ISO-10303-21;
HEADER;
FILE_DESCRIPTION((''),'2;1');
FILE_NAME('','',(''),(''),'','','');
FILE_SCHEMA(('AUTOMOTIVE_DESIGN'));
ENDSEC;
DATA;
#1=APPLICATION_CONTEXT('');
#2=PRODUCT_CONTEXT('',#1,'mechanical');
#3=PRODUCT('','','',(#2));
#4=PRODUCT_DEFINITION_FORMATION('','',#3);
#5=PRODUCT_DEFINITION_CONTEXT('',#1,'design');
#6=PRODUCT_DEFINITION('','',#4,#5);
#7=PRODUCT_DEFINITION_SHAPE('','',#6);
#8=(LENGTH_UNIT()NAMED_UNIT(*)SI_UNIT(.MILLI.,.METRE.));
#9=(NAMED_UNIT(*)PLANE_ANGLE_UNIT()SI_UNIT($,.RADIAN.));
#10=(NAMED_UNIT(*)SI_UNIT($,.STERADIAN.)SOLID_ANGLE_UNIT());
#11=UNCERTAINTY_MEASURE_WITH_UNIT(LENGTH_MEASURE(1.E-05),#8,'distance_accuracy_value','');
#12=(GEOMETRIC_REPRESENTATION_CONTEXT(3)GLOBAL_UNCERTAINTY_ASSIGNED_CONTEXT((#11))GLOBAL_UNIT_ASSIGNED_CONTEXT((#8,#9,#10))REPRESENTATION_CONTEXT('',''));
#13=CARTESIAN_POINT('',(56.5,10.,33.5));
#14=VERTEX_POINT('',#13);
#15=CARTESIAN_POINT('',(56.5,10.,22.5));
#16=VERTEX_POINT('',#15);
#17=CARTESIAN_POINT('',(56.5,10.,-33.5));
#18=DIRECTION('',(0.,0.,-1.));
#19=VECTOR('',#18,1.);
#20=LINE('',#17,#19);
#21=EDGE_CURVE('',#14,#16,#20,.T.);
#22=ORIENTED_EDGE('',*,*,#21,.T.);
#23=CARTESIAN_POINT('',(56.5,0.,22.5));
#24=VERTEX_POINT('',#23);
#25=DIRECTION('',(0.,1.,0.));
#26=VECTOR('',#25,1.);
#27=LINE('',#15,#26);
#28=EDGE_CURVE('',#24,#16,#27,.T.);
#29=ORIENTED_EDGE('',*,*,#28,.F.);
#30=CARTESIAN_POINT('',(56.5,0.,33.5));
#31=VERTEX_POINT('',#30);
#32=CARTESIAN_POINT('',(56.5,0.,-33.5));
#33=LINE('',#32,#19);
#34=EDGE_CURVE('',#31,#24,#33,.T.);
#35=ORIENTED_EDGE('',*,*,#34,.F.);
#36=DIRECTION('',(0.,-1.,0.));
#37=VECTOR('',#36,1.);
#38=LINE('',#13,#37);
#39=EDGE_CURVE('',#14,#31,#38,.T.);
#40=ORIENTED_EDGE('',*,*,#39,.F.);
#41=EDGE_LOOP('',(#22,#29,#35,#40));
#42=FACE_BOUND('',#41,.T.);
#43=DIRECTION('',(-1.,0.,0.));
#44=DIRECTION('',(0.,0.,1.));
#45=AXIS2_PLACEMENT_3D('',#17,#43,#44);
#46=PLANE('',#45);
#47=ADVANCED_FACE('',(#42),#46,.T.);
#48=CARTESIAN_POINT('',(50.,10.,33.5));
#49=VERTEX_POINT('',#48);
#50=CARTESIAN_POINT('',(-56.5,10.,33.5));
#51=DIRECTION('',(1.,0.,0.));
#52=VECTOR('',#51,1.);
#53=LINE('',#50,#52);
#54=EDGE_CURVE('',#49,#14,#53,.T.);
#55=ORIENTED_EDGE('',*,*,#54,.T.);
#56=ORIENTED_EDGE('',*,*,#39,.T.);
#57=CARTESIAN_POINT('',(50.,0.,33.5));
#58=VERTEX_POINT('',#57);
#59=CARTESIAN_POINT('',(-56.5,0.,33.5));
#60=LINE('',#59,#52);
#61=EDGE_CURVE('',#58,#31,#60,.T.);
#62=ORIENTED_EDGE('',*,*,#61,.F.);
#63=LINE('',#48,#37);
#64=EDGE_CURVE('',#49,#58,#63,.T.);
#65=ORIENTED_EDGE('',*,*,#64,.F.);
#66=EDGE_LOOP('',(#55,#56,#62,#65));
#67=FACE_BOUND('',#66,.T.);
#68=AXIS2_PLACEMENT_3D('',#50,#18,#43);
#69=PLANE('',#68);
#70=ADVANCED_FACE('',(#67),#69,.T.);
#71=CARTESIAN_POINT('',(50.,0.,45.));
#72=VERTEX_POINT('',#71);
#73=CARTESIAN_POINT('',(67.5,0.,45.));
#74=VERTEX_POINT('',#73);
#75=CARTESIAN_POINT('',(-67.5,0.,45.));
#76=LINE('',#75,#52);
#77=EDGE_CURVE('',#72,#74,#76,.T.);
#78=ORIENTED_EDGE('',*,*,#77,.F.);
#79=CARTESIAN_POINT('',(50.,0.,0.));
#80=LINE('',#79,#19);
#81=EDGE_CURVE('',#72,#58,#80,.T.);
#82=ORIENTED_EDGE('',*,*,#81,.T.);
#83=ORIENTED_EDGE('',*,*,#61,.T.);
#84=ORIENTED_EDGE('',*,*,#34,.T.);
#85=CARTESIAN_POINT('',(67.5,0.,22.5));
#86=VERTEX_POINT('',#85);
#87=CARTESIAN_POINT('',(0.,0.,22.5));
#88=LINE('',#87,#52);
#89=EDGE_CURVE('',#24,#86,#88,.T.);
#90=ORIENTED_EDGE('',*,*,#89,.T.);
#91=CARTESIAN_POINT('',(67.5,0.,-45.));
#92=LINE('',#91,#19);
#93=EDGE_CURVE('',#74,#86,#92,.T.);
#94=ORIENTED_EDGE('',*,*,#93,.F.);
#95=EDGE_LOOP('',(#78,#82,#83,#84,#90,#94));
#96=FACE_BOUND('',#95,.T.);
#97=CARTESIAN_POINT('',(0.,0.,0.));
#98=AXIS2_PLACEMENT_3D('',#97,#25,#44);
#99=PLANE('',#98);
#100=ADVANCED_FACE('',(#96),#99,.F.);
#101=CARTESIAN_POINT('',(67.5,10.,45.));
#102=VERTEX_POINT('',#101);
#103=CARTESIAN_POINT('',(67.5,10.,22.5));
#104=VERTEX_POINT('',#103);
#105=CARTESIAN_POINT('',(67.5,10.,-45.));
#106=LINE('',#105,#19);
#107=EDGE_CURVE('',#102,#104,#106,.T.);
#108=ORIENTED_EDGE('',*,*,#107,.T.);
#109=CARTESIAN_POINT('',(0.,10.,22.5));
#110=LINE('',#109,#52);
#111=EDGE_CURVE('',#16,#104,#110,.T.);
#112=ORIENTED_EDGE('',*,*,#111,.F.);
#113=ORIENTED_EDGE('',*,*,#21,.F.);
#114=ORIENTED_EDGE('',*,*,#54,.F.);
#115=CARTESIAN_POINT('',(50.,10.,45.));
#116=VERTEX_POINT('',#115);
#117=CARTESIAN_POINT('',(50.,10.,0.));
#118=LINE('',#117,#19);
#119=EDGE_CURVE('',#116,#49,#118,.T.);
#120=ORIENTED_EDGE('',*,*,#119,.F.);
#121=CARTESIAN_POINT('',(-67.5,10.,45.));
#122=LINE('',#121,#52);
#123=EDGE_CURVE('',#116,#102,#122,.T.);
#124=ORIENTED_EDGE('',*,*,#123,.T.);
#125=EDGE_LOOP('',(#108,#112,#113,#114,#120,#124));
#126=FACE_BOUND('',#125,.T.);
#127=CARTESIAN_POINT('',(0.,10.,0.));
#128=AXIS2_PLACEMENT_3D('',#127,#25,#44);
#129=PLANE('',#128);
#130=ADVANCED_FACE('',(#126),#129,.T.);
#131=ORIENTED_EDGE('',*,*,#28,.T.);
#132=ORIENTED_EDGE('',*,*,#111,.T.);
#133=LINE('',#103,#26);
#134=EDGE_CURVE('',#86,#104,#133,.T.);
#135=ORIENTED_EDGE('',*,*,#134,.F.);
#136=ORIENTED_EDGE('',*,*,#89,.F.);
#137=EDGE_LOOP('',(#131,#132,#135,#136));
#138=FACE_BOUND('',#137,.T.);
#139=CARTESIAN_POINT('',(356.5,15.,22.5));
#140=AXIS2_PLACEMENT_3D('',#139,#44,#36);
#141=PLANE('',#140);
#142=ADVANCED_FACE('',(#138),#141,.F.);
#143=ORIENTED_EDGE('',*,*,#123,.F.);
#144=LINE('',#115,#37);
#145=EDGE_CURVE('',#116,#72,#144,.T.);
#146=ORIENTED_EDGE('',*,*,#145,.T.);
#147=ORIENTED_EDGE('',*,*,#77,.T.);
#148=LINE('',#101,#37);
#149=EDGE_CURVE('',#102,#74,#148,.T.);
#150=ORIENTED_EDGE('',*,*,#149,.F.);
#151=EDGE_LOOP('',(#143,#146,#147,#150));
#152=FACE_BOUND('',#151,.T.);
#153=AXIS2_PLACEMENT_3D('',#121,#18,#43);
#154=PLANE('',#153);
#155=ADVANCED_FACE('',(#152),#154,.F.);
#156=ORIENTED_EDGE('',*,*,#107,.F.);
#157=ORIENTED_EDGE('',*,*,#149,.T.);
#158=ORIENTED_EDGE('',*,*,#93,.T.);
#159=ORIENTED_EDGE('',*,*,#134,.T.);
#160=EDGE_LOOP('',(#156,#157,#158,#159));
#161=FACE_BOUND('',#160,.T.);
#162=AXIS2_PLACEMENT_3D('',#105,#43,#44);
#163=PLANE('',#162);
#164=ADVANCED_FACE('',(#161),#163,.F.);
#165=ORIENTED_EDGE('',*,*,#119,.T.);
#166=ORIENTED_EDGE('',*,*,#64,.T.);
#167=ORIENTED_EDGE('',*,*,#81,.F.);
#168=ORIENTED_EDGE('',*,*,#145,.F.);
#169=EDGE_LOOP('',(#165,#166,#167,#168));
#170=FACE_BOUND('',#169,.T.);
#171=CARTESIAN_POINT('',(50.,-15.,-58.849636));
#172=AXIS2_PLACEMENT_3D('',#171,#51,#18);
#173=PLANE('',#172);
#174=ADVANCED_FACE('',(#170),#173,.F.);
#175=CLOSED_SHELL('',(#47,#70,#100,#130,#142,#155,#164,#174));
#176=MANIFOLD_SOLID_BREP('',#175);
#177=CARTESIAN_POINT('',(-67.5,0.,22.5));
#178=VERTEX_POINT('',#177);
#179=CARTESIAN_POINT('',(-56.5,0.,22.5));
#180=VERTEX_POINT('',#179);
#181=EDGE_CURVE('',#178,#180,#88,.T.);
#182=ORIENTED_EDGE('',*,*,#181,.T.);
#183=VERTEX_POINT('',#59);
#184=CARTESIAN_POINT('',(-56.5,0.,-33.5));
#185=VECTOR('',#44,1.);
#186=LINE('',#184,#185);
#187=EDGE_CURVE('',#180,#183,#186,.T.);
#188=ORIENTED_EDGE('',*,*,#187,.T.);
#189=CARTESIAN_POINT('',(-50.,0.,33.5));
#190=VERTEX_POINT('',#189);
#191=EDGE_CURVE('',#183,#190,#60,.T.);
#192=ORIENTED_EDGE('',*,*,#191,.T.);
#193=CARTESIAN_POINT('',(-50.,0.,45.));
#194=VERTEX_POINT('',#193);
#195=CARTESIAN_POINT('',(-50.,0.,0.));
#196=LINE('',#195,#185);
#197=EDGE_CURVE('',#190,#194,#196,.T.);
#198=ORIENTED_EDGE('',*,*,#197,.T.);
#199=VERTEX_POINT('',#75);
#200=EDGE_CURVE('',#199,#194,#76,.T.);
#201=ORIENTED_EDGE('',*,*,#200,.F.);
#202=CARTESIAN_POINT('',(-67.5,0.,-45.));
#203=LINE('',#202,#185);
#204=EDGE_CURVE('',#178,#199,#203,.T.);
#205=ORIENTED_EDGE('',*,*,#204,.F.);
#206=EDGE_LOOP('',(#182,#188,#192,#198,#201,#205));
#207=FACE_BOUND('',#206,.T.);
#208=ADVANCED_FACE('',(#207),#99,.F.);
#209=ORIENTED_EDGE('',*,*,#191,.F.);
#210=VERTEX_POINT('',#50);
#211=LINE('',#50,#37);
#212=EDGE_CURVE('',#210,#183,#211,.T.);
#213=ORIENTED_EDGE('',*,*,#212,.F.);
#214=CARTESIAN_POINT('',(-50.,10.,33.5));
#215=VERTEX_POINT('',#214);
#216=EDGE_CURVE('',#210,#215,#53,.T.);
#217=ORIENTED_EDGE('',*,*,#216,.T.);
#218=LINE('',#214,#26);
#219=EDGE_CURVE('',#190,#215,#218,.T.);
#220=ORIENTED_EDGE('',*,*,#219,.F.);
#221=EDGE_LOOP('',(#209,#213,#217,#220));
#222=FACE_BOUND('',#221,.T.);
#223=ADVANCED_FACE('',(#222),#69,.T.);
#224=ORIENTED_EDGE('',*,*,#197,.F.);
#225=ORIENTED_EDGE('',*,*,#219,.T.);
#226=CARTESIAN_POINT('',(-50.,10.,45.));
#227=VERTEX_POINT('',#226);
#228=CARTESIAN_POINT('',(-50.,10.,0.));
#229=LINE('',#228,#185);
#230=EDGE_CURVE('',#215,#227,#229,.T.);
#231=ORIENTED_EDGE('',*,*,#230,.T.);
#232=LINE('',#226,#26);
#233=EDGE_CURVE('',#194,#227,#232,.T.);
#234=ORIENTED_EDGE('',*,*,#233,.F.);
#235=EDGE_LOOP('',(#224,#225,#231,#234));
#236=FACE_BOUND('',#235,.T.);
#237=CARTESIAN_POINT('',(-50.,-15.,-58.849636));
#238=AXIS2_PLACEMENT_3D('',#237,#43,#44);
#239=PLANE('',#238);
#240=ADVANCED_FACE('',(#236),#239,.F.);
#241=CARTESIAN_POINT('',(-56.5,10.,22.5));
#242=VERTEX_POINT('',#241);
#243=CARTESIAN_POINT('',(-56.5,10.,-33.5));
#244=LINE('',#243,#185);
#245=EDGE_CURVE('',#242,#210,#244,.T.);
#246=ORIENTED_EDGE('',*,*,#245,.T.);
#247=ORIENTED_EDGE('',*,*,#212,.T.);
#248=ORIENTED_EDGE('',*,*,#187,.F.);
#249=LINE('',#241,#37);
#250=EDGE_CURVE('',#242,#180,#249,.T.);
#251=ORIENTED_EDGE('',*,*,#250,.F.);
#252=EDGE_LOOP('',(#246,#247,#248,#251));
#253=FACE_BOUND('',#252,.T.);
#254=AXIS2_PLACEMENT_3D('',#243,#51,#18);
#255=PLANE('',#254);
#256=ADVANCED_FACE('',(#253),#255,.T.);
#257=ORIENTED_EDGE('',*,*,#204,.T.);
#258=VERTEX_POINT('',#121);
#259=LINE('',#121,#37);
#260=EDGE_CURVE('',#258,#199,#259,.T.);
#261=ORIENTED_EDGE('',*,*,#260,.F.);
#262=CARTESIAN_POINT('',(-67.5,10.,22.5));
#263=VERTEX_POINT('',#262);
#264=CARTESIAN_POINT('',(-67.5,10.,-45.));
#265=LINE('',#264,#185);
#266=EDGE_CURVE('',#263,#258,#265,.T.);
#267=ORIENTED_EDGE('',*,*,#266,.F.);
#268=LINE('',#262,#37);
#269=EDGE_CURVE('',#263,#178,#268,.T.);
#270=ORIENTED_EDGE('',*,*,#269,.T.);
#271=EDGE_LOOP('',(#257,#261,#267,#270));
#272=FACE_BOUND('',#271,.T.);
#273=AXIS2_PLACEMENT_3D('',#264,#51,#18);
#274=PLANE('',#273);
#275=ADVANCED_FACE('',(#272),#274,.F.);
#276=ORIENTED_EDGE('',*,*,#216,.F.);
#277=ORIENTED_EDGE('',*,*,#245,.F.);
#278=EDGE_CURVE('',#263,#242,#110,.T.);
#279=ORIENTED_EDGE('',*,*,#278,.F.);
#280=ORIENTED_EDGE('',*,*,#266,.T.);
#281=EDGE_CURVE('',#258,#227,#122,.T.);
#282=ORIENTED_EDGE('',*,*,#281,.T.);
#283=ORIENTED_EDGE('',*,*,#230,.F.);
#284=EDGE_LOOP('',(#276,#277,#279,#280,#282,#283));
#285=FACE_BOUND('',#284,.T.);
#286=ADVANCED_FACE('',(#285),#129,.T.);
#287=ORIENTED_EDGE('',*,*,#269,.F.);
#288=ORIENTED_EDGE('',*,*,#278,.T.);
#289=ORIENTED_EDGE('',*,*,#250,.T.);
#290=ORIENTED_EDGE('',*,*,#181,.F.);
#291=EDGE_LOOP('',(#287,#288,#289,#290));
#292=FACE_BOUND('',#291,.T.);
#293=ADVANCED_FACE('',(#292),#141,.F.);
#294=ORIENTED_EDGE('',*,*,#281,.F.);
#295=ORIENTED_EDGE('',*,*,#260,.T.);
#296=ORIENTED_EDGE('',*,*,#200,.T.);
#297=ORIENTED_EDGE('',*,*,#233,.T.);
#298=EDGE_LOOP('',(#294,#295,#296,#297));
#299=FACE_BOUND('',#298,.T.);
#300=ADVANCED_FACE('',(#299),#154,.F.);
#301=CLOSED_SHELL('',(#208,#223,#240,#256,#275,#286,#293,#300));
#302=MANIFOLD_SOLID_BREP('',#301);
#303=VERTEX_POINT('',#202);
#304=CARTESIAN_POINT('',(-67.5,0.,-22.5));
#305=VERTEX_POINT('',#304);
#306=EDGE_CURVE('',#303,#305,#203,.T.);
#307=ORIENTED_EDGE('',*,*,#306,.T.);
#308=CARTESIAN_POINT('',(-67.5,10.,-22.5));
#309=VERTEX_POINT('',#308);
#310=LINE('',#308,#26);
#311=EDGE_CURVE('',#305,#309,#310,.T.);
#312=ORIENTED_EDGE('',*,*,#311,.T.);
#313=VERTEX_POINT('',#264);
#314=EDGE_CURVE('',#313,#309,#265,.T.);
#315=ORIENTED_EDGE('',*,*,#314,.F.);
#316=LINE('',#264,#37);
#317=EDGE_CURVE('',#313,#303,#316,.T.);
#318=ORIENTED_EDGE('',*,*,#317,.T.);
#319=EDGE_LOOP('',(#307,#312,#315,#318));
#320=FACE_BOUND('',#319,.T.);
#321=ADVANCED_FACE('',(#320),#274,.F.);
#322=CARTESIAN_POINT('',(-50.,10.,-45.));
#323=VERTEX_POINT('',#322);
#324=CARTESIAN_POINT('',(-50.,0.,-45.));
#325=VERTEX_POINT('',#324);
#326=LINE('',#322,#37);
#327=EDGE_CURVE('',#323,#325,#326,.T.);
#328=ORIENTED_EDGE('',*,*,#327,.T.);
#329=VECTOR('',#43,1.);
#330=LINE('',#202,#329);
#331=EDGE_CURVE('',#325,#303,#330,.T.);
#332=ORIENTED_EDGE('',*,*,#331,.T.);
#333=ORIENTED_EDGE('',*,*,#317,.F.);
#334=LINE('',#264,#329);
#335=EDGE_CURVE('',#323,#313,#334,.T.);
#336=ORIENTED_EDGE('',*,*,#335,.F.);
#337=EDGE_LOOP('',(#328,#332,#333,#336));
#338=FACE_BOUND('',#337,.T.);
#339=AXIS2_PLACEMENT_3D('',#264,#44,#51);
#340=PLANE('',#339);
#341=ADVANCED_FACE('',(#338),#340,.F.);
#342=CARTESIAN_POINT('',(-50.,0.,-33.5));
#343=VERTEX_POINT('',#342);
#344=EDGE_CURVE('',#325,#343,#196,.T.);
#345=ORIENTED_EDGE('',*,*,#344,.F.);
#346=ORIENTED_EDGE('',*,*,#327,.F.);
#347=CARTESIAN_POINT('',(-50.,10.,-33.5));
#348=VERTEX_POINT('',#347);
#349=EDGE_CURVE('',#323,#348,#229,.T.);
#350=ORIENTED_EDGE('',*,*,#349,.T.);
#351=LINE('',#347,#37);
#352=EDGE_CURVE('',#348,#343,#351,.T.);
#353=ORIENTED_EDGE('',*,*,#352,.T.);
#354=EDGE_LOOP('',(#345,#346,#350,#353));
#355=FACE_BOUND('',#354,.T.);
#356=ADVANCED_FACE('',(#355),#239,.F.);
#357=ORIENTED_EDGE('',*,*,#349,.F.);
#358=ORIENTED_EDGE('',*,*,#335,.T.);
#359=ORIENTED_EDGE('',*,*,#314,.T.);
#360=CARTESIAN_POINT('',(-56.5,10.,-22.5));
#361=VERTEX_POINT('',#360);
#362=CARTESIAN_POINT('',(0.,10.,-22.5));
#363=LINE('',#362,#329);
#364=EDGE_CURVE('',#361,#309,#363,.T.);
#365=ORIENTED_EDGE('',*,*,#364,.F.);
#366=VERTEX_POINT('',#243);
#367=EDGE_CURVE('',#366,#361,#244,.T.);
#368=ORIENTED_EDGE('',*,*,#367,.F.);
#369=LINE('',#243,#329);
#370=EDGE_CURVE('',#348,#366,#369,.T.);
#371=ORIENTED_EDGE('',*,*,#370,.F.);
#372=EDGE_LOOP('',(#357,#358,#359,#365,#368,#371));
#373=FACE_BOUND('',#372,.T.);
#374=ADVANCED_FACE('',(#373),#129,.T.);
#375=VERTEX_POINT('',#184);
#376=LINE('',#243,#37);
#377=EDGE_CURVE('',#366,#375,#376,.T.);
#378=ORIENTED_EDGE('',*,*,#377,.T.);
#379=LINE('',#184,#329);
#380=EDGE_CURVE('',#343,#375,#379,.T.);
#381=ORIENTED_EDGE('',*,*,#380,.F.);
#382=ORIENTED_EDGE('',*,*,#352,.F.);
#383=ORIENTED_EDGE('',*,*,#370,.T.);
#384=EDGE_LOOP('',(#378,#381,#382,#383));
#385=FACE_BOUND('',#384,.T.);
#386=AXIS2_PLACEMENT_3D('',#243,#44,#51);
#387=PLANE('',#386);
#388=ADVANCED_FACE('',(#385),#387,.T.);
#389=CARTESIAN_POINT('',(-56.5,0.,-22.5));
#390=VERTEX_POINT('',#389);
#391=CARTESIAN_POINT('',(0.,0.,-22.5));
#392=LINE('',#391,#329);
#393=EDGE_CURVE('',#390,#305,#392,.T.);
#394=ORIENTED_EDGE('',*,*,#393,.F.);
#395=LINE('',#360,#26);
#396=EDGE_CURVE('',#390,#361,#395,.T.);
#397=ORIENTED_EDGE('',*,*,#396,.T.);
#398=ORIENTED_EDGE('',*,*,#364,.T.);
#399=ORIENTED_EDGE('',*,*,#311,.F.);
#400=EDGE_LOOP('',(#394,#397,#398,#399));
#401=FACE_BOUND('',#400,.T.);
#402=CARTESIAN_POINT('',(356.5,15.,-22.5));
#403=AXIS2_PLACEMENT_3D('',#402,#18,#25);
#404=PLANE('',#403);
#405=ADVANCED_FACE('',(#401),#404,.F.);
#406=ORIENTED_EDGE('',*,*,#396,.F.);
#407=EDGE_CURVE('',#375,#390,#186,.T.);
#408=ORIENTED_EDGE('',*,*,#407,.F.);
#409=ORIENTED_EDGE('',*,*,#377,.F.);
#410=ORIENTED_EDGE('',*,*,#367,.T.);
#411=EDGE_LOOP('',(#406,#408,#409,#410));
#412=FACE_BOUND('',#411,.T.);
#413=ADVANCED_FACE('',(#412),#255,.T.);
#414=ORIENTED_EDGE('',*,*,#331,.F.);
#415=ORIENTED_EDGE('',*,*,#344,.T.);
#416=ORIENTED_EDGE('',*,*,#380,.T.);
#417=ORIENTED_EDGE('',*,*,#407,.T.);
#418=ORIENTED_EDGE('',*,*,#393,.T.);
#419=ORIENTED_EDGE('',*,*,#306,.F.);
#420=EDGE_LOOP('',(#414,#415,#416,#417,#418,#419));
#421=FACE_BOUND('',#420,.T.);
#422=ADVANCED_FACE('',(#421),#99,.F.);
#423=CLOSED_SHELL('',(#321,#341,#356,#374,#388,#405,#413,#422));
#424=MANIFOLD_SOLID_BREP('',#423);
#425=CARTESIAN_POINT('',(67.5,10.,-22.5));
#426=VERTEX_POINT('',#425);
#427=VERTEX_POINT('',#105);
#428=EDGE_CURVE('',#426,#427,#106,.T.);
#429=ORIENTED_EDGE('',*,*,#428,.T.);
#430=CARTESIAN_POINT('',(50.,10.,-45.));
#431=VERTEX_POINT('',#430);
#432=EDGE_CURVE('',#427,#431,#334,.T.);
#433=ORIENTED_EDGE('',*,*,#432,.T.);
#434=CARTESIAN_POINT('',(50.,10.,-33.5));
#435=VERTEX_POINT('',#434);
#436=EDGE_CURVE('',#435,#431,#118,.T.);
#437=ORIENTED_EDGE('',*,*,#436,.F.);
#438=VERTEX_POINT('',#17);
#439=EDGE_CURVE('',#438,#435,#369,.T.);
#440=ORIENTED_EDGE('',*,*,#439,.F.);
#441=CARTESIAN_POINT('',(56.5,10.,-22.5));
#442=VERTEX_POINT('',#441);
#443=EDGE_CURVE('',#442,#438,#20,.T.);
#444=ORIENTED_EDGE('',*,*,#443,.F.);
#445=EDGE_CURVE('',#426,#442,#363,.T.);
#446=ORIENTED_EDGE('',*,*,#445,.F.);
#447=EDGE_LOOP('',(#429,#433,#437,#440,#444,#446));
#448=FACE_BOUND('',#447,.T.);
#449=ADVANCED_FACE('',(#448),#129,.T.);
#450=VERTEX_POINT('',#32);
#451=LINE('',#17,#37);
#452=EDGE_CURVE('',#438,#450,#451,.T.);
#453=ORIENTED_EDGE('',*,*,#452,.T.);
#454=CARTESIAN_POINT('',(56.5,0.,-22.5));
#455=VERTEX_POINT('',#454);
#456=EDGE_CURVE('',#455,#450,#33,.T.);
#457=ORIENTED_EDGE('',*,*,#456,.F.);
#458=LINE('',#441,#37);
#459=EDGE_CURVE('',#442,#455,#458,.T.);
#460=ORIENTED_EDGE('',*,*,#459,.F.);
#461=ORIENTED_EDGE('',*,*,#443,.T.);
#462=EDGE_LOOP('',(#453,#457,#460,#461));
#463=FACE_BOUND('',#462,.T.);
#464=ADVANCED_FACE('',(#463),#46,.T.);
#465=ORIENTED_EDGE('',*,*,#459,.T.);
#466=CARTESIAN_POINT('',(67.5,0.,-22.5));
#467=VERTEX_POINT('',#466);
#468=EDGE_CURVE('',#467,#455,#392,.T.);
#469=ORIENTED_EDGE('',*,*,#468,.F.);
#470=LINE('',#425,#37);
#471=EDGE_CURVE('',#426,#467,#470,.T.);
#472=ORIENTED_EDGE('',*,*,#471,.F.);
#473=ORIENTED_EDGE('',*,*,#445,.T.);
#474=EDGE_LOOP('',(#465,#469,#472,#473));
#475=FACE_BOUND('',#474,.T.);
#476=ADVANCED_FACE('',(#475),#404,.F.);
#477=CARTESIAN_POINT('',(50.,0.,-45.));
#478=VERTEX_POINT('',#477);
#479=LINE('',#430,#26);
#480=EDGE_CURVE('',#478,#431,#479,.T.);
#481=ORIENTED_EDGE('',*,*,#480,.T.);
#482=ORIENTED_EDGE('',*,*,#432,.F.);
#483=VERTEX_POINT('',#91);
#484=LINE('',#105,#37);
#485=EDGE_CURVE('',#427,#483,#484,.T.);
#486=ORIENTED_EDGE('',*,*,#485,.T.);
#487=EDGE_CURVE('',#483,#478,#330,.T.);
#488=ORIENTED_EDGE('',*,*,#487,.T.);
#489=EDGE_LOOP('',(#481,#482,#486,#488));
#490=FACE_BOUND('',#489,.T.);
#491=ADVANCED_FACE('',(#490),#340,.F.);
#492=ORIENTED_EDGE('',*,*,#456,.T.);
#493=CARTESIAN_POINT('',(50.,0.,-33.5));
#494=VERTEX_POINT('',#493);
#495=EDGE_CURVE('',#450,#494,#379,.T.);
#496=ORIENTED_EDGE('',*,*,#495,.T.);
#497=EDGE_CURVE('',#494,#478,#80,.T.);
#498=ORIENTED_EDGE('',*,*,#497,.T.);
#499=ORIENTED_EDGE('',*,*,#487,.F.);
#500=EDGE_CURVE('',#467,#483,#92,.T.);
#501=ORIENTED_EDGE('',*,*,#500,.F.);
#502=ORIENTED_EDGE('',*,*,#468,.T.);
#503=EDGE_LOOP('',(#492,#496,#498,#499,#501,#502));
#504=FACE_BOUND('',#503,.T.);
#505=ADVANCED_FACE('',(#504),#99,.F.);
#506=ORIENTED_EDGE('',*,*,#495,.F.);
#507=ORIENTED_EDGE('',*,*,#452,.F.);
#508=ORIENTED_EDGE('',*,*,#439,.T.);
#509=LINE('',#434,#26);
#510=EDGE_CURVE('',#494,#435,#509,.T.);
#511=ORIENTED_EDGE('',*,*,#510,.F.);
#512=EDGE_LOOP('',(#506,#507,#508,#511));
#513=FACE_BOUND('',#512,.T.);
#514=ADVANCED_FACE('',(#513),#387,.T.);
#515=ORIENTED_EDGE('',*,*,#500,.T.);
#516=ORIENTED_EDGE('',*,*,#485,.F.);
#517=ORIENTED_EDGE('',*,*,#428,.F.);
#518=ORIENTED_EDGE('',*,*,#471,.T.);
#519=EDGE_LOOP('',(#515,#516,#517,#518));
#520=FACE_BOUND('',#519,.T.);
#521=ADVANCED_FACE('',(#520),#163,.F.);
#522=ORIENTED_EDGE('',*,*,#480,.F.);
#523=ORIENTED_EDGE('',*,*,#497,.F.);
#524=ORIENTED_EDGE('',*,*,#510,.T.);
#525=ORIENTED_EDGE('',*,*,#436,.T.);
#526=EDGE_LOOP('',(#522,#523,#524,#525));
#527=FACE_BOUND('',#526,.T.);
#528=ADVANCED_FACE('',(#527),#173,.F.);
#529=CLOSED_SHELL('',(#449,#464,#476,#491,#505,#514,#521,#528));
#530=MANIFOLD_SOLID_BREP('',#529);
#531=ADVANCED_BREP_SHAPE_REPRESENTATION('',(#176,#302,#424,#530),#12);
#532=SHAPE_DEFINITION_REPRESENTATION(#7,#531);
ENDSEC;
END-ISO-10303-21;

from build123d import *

# Parameters (mm, degrees)
SKETCH1_W           = 135
SKETCH1_H           = 90
SKETCH1_W_2         = 113
SKETCH1_H_2         = 67
BOSS_EXTRUDE1_DEPTH = 10
SKETCH2_W           = 45
SKETCH2_H           = 35
CUT_EXTRUDE1_DEPTH  = 300
SKETCH3_W           = 100
SKETCH3_H           = 120.605427014
CUT_EXTRUDE2_DEPTH  = 25


with BuildPart() as part:
    # Sketch1 → Boss-Extrude1 (new body)
    with BuildSketch(Plane(origin=(0, 0, 0), x_dir=(1, 0, 0), z_dir=(0, 1, 0))):
        Rectangle(SKETCH1_W, SKETCH1_H)
        Rectangle(SKETCH1_W_2, SKETCH1_H_2, mode=Mode.SUBTRACT)
    extrude(amount=BOSS_EXTRUDE1_DEPTH)

    # Sketch2 → Cut-Extrude1 (cut, symmetric)
    with BuildSketch(Plane.ZY.offset(-56.5)):
        with Locations((0, -2.5)):
            Rectangle(SKETCH2_W, SKETCH2_H)
    extrude(amount=CUT_EXTRUDE1_DEPTH, both=True, mode=Mode.SUBTRACT)

    # Sketch3 → Cut-Extrude2 (cut, symmetric)
    with BuildSketch(Plane(origin=(0, 10, 0), x_dir=(1, 0, 0), z_dir=(0, 1, 0))):
        with Locations((0, -1.453077434)):
            Rectangle(SKETCH3_W, SKETCH3_H)
    extrude(amount=CUT_EXTRUDE2_DEPTH, both=True, mode=Mode.SUBTRACT)


solid = part.part
